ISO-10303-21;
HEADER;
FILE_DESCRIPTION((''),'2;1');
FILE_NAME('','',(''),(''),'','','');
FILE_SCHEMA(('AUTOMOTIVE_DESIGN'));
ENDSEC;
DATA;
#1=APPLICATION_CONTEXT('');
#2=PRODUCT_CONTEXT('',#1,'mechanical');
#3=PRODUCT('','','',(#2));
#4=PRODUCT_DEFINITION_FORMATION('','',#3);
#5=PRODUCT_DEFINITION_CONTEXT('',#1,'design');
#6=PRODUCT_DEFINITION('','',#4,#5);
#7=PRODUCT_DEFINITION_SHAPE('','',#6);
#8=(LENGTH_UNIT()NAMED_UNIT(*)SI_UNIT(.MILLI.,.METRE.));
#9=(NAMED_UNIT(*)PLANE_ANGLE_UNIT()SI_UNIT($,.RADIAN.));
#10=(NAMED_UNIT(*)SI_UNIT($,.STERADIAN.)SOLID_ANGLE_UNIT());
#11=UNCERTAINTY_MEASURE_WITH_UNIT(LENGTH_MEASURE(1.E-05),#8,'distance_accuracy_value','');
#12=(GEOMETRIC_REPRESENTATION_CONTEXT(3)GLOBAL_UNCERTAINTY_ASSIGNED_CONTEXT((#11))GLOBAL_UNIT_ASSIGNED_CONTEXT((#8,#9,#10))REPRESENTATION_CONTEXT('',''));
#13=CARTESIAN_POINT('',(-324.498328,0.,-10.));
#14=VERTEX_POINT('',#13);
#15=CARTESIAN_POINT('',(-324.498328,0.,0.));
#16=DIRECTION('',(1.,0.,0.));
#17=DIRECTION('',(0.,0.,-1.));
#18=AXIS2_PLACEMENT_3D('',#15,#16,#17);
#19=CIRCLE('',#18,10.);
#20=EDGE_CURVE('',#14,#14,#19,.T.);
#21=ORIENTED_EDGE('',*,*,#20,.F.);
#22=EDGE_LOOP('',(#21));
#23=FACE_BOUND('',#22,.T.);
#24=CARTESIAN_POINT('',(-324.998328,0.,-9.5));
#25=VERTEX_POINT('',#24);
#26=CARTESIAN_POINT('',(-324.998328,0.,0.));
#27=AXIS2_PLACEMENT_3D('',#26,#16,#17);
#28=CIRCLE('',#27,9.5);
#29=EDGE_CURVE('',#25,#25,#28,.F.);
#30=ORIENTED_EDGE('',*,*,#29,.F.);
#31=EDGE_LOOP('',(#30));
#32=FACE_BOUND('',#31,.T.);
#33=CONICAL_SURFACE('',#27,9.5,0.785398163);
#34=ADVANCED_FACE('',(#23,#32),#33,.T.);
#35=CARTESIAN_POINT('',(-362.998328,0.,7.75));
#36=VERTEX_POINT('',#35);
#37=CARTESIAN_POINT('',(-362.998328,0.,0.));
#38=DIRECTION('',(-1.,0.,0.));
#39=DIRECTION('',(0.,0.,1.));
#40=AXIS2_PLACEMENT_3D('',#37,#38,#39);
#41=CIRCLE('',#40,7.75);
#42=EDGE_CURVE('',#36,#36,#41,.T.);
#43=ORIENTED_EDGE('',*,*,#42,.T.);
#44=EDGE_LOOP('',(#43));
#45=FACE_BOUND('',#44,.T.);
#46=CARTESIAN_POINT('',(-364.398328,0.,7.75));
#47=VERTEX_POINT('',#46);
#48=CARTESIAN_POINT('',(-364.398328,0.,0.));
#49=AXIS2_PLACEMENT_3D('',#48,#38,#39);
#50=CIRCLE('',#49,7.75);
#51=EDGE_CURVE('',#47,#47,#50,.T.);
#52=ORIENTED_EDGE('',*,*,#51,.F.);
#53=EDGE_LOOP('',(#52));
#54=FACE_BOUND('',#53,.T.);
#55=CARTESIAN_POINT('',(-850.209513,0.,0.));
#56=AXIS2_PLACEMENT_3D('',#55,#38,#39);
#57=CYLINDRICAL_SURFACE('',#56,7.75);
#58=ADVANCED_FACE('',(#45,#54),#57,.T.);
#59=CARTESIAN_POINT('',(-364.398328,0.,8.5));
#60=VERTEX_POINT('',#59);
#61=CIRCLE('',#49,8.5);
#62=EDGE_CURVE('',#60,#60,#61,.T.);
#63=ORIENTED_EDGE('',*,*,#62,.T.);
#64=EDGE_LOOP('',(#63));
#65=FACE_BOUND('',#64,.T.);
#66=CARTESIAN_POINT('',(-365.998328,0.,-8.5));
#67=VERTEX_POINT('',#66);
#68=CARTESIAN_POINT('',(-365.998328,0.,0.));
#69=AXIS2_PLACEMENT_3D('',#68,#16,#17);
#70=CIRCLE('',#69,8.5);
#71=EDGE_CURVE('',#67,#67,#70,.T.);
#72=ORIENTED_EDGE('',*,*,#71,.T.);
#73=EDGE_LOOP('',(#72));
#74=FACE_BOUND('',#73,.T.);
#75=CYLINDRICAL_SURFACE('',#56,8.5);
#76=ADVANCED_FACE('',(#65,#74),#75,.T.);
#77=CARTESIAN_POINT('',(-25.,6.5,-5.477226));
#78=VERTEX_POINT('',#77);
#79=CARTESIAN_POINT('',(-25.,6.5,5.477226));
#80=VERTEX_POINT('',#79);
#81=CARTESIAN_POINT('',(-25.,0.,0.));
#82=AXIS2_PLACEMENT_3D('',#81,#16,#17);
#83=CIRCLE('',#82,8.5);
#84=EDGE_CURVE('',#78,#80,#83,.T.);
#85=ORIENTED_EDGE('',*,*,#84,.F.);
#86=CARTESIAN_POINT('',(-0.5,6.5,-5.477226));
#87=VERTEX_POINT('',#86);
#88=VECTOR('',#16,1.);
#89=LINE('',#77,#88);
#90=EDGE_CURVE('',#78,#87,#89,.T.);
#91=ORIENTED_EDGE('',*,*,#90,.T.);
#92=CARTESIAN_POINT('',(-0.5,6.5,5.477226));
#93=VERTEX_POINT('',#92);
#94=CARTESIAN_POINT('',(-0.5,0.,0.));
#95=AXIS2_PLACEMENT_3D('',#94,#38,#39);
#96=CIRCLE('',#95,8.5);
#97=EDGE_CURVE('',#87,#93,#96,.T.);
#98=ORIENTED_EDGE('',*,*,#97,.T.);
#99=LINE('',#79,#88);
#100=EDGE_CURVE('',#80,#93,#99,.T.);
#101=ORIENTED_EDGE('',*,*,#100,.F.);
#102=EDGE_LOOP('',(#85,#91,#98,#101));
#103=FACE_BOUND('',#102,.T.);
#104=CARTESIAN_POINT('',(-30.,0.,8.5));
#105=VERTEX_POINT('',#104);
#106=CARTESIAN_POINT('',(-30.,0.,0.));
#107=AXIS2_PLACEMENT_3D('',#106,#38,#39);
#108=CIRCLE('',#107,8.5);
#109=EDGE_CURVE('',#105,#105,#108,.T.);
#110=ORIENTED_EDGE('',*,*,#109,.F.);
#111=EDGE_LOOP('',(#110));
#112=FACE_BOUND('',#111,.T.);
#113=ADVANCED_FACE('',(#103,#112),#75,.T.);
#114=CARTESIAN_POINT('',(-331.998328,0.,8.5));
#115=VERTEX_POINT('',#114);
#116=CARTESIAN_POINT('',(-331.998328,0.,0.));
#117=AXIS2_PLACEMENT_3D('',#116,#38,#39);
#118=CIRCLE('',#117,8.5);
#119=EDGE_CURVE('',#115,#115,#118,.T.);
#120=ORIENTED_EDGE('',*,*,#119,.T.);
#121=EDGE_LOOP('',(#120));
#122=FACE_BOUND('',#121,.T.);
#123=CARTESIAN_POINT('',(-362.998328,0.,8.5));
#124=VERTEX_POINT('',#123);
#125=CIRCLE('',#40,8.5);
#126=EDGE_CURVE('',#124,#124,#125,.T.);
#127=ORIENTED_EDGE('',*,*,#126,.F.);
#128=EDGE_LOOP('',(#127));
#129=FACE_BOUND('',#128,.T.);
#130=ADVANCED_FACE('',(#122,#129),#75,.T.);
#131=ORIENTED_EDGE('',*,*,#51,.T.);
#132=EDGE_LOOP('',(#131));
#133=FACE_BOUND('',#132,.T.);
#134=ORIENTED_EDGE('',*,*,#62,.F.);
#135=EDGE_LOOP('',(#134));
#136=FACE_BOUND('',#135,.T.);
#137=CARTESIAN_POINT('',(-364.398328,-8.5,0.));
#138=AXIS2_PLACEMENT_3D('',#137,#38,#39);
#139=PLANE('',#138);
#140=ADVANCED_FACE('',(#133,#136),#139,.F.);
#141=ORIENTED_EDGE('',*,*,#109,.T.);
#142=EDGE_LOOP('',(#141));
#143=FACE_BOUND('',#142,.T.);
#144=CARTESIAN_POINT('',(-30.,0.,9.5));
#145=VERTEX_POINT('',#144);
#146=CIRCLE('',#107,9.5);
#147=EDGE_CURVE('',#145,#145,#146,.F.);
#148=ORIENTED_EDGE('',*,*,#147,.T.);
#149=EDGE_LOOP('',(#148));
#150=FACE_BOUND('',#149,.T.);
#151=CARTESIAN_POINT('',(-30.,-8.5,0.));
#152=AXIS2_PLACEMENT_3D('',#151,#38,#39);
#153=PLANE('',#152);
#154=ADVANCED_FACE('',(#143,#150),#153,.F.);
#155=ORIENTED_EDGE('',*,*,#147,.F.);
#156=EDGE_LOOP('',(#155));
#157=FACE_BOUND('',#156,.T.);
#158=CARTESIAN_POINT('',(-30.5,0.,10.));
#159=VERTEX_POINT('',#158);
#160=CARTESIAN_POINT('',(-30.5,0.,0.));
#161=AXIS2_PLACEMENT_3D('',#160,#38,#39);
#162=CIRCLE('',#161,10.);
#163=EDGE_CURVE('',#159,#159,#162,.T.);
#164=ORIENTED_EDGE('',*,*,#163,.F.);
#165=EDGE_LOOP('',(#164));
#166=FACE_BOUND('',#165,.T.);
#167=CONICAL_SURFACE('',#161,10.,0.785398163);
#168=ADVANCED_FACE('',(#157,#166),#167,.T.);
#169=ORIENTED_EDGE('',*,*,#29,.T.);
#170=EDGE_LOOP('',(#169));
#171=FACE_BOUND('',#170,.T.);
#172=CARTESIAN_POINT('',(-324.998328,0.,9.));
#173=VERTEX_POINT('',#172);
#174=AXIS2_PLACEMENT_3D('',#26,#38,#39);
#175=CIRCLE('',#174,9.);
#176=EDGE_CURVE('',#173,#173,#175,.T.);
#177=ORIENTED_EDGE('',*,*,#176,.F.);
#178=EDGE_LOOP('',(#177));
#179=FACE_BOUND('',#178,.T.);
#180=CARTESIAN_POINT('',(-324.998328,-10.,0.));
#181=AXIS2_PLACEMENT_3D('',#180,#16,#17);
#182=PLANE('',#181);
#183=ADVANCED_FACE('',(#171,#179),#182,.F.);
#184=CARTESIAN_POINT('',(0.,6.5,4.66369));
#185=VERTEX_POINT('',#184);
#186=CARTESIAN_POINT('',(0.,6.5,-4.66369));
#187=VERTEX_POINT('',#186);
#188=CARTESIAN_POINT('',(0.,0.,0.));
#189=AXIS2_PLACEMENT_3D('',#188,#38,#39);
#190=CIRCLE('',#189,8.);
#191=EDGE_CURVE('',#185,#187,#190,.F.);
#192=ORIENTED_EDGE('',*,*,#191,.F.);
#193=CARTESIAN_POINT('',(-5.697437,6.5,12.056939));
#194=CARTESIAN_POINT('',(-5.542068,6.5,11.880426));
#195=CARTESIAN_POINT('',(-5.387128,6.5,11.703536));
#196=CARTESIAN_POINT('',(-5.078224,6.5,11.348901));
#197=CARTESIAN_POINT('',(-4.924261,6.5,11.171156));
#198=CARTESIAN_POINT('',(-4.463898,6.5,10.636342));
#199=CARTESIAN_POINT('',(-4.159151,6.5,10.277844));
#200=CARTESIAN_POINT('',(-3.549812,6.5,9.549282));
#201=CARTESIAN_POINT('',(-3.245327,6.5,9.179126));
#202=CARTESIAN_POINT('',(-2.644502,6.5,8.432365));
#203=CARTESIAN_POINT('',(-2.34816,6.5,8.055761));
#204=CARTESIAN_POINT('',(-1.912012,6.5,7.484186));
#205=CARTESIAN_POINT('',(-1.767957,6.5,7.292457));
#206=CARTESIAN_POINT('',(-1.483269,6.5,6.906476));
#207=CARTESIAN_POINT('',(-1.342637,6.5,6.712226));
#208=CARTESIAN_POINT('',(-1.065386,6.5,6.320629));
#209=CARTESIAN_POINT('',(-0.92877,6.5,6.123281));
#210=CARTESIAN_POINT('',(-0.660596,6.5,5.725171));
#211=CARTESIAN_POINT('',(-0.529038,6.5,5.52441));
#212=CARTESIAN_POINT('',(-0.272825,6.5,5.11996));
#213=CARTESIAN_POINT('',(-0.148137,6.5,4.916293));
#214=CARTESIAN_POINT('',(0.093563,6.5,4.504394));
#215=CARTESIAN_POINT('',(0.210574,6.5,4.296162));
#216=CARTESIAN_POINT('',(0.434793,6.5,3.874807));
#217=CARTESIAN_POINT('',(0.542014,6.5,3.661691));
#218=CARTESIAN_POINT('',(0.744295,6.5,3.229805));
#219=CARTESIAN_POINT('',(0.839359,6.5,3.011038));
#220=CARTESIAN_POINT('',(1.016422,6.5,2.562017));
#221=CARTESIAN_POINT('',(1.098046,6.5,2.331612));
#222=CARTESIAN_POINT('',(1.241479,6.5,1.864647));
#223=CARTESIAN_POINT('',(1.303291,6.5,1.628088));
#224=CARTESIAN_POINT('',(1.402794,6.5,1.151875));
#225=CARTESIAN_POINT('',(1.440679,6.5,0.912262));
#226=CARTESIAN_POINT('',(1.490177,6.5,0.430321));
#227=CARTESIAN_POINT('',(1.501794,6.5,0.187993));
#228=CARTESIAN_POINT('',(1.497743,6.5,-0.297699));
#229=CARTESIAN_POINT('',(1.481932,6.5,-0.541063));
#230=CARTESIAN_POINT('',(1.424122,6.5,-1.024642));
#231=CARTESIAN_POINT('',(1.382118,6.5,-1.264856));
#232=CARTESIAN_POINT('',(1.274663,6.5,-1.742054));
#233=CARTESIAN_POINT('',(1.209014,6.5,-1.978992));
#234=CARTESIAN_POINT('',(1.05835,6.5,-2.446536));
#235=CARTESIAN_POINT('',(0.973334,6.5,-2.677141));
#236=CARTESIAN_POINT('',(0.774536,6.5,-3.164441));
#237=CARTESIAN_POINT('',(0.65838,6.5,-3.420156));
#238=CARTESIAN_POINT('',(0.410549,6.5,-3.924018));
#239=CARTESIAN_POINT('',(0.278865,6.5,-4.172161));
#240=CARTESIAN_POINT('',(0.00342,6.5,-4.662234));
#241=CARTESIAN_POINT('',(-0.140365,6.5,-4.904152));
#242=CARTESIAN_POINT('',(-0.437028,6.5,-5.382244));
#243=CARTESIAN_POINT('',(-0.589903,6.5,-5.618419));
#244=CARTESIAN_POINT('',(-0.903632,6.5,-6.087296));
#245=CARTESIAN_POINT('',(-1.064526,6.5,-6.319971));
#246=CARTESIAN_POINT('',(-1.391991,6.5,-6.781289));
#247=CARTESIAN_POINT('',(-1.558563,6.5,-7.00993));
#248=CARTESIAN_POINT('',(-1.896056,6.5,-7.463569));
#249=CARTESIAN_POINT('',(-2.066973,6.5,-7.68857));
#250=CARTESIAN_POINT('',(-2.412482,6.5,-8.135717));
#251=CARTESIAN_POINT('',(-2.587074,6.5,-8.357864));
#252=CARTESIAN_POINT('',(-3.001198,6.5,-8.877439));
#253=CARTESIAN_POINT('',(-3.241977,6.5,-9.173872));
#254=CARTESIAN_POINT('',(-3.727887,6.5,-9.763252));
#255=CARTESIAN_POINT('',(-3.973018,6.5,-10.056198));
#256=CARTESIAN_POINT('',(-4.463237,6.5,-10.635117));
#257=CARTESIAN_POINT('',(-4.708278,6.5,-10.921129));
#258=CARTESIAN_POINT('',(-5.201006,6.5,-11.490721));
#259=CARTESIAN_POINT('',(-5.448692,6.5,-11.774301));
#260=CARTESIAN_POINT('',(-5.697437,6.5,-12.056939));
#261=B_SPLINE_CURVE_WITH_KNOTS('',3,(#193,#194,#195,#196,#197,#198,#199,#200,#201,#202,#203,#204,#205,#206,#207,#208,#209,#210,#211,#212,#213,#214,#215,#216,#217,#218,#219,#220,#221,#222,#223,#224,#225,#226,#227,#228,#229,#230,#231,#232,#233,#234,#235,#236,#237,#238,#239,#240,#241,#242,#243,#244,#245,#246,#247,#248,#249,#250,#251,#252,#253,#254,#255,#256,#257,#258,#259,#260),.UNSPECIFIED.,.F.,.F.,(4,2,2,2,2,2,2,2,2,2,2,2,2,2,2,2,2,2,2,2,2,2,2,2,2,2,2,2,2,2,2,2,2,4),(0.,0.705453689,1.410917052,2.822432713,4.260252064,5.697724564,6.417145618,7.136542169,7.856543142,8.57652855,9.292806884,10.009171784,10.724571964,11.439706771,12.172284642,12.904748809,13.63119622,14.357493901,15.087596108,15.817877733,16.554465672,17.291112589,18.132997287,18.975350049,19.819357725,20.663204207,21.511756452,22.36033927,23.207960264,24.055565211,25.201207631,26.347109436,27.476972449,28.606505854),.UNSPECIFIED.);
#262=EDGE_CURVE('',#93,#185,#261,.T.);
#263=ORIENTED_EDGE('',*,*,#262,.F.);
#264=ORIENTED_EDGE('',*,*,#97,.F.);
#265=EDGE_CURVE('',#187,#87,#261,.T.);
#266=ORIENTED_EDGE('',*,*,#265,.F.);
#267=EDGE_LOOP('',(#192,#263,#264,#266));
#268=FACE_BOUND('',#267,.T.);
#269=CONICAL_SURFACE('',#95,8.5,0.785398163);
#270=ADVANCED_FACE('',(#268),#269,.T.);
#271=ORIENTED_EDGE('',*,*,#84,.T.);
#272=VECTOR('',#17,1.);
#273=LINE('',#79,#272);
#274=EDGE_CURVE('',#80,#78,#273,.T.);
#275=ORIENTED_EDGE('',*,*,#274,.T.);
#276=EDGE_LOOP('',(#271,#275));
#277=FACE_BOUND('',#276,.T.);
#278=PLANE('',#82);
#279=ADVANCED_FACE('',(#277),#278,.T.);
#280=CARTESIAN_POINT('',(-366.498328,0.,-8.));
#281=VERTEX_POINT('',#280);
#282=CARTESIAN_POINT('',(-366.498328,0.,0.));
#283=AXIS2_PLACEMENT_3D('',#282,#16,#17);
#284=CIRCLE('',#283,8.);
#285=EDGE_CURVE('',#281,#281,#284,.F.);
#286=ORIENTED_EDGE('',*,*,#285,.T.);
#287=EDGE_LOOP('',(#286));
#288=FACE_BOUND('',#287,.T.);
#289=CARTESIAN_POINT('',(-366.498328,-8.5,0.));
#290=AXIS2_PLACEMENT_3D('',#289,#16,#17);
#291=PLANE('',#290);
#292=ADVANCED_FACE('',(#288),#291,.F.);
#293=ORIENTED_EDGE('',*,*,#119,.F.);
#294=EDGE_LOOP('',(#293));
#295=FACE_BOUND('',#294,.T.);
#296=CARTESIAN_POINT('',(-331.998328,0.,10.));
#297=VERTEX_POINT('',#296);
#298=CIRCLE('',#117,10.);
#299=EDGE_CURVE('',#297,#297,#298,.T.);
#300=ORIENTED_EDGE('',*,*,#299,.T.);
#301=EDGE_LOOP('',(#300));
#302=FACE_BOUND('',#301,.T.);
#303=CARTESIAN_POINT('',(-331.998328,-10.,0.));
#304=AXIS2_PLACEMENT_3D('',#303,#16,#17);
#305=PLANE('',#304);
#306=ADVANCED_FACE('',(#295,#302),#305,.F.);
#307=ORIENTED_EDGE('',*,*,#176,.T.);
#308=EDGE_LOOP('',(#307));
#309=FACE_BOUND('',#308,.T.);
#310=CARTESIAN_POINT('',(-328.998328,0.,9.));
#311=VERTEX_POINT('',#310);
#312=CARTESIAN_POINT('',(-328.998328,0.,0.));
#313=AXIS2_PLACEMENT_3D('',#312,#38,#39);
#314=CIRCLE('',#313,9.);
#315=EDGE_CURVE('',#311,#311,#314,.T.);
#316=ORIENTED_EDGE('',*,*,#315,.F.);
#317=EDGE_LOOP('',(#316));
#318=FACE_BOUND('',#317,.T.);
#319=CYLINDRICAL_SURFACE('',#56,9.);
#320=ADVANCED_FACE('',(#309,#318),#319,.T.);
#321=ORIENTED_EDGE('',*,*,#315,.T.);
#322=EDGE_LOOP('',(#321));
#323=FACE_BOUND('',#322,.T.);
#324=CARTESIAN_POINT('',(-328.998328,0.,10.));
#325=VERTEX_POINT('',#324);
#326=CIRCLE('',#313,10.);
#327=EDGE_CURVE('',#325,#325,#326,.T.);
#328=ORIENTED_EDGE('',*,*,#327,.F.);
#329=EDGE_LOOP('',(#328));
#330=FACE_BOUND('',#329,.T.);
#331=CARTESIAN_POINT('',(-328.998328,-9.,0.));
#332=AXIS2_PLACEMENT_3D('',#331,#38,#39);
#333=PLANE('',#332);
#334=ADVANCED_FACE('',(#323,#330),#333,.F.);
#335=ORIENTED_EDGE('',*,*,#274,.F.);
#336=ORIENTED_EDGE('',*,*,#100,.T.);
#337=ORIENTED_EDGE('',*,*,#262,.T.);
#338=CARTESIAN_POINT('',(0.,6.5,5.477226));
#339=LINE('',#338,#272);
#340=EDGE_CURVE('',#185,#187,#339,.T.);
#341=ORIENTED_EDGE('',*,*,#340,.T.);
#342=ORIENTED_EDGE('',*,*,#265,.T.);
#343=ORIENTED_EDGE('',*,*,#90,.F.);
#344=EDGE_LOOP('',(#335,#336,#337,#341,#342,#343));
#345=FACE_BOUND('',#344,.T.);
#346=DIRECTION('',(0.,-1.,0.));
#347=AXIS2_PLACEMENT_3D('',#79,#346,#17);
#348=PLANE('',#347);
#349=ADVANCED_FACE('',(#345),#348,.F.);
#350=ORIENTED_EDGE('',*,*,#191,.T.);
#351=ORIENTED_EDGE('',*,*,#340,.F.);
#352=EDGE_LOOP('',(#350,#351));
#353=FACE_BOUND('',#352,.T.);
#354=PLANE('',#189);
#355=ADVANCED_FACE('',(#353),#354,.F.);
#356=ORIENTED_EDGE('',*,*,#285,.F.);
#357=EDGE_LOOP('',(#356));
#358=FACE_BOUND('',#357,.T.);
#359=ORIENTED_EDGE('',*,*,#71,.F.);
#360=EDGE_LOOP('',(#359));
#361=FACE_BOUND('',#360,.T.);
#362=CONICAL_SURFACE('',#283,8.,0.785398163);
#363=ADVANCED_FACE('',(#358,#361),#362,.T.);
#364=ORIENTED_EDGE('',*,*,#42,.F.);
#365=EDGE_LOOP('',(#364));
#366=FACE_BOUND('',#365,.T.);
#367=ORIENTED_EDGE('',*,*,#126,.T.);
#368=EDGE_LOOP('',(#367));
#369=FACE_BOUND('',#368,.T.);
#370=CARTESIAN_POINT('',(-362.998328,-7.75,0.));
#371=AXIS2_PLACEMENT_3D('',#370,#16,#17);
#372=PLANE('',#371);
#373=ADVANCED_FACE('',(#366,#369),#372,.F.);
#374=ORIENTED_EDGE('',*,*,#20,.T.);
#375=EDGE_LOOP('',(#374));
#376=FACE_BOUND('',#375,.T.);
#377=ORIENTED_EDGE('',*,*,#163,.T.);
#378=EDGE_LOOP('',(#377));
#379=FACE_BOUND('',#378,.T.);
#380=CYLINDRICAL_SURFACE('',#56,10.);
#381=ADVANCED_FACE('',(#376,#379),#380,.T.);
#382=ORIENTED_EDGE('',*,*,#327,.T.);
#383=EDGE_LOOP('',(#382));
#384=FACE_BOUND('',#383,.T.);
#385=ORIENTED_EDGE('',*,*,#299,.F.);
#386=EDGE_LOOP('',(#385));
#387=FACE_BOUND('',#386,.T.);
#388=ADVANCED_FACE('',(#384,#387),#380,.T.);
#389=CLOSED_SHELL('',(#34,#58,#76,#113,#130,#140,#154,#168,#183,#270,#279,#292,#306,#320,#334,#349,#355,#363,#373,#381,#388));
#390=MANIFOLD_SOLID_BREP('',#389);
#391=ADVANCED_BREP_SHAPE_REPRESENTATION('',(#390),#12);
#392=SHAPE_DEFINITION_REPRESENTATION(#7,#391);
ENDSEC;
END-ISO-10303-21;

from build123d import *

# Parameters (mm, degrees)
CHAMFER_1_SIZE      = 0.5
CUT_EXTRUDE_START   = -25
CUT_EXTRUDE_1_DEPTH = 25


with BuildPart() as part:
    # Эскиз1 → Повернуть1 (revolve)
    with BuildSketch(Plane.XY):
        Polygon((0, 0), (0, 8.5), (-30, 8.5), (-30, 10), (-324.998327755, 10), (-324.998327755, 9), (-328.998327755, 9), (-328.998327755, 10), (-331.998327755, 10), (-331.998327755, 8.5), (-362.998327755, 8.5), (-362.998327755, 7.75), (-364.398327755, 7.75), (-364.398327755, 8.5), (-366.498327755, 8.5), (-366.498327755, 0), align=None)
    revolve(axis=Axis((-850.209513438, 0, 0), (1, 0, 0)))

    # Фаска1
    chamfer_1_edges = [part.edges().sort_by_distance(p)[0] for p in [
        (-30, -10, 0),
        (0, -8.5, 0),
        (-324.998327755, -10, 0),
        (-366.498327755, -8.5, 0),
    ]]
    chamfer(chamfer_1_edges, length=CHAMFER_1_SIZE)

    # Эскиз2 → Вырез-Вытянуть1 (cut)
    with BuildSketch(Plane(origin=(0, 0, 0), x_dir=(0, 0, -1), z_dir=(1, 0, 0)).offset(CUT_EXTRUDE_START)):
        with BuildLine():
            Line((-5.477225575, 6.5), (5.477225575, 6.5))
            ThreePointArc((5.477225575, 6.5), (0, 8.5), (-5.477225575, 6.5))
        make_face()
    extrude(amount=CUT_EXTRUDE_1_DEPTH, mode=Mode.SUBTRACT)


solid = part.part
